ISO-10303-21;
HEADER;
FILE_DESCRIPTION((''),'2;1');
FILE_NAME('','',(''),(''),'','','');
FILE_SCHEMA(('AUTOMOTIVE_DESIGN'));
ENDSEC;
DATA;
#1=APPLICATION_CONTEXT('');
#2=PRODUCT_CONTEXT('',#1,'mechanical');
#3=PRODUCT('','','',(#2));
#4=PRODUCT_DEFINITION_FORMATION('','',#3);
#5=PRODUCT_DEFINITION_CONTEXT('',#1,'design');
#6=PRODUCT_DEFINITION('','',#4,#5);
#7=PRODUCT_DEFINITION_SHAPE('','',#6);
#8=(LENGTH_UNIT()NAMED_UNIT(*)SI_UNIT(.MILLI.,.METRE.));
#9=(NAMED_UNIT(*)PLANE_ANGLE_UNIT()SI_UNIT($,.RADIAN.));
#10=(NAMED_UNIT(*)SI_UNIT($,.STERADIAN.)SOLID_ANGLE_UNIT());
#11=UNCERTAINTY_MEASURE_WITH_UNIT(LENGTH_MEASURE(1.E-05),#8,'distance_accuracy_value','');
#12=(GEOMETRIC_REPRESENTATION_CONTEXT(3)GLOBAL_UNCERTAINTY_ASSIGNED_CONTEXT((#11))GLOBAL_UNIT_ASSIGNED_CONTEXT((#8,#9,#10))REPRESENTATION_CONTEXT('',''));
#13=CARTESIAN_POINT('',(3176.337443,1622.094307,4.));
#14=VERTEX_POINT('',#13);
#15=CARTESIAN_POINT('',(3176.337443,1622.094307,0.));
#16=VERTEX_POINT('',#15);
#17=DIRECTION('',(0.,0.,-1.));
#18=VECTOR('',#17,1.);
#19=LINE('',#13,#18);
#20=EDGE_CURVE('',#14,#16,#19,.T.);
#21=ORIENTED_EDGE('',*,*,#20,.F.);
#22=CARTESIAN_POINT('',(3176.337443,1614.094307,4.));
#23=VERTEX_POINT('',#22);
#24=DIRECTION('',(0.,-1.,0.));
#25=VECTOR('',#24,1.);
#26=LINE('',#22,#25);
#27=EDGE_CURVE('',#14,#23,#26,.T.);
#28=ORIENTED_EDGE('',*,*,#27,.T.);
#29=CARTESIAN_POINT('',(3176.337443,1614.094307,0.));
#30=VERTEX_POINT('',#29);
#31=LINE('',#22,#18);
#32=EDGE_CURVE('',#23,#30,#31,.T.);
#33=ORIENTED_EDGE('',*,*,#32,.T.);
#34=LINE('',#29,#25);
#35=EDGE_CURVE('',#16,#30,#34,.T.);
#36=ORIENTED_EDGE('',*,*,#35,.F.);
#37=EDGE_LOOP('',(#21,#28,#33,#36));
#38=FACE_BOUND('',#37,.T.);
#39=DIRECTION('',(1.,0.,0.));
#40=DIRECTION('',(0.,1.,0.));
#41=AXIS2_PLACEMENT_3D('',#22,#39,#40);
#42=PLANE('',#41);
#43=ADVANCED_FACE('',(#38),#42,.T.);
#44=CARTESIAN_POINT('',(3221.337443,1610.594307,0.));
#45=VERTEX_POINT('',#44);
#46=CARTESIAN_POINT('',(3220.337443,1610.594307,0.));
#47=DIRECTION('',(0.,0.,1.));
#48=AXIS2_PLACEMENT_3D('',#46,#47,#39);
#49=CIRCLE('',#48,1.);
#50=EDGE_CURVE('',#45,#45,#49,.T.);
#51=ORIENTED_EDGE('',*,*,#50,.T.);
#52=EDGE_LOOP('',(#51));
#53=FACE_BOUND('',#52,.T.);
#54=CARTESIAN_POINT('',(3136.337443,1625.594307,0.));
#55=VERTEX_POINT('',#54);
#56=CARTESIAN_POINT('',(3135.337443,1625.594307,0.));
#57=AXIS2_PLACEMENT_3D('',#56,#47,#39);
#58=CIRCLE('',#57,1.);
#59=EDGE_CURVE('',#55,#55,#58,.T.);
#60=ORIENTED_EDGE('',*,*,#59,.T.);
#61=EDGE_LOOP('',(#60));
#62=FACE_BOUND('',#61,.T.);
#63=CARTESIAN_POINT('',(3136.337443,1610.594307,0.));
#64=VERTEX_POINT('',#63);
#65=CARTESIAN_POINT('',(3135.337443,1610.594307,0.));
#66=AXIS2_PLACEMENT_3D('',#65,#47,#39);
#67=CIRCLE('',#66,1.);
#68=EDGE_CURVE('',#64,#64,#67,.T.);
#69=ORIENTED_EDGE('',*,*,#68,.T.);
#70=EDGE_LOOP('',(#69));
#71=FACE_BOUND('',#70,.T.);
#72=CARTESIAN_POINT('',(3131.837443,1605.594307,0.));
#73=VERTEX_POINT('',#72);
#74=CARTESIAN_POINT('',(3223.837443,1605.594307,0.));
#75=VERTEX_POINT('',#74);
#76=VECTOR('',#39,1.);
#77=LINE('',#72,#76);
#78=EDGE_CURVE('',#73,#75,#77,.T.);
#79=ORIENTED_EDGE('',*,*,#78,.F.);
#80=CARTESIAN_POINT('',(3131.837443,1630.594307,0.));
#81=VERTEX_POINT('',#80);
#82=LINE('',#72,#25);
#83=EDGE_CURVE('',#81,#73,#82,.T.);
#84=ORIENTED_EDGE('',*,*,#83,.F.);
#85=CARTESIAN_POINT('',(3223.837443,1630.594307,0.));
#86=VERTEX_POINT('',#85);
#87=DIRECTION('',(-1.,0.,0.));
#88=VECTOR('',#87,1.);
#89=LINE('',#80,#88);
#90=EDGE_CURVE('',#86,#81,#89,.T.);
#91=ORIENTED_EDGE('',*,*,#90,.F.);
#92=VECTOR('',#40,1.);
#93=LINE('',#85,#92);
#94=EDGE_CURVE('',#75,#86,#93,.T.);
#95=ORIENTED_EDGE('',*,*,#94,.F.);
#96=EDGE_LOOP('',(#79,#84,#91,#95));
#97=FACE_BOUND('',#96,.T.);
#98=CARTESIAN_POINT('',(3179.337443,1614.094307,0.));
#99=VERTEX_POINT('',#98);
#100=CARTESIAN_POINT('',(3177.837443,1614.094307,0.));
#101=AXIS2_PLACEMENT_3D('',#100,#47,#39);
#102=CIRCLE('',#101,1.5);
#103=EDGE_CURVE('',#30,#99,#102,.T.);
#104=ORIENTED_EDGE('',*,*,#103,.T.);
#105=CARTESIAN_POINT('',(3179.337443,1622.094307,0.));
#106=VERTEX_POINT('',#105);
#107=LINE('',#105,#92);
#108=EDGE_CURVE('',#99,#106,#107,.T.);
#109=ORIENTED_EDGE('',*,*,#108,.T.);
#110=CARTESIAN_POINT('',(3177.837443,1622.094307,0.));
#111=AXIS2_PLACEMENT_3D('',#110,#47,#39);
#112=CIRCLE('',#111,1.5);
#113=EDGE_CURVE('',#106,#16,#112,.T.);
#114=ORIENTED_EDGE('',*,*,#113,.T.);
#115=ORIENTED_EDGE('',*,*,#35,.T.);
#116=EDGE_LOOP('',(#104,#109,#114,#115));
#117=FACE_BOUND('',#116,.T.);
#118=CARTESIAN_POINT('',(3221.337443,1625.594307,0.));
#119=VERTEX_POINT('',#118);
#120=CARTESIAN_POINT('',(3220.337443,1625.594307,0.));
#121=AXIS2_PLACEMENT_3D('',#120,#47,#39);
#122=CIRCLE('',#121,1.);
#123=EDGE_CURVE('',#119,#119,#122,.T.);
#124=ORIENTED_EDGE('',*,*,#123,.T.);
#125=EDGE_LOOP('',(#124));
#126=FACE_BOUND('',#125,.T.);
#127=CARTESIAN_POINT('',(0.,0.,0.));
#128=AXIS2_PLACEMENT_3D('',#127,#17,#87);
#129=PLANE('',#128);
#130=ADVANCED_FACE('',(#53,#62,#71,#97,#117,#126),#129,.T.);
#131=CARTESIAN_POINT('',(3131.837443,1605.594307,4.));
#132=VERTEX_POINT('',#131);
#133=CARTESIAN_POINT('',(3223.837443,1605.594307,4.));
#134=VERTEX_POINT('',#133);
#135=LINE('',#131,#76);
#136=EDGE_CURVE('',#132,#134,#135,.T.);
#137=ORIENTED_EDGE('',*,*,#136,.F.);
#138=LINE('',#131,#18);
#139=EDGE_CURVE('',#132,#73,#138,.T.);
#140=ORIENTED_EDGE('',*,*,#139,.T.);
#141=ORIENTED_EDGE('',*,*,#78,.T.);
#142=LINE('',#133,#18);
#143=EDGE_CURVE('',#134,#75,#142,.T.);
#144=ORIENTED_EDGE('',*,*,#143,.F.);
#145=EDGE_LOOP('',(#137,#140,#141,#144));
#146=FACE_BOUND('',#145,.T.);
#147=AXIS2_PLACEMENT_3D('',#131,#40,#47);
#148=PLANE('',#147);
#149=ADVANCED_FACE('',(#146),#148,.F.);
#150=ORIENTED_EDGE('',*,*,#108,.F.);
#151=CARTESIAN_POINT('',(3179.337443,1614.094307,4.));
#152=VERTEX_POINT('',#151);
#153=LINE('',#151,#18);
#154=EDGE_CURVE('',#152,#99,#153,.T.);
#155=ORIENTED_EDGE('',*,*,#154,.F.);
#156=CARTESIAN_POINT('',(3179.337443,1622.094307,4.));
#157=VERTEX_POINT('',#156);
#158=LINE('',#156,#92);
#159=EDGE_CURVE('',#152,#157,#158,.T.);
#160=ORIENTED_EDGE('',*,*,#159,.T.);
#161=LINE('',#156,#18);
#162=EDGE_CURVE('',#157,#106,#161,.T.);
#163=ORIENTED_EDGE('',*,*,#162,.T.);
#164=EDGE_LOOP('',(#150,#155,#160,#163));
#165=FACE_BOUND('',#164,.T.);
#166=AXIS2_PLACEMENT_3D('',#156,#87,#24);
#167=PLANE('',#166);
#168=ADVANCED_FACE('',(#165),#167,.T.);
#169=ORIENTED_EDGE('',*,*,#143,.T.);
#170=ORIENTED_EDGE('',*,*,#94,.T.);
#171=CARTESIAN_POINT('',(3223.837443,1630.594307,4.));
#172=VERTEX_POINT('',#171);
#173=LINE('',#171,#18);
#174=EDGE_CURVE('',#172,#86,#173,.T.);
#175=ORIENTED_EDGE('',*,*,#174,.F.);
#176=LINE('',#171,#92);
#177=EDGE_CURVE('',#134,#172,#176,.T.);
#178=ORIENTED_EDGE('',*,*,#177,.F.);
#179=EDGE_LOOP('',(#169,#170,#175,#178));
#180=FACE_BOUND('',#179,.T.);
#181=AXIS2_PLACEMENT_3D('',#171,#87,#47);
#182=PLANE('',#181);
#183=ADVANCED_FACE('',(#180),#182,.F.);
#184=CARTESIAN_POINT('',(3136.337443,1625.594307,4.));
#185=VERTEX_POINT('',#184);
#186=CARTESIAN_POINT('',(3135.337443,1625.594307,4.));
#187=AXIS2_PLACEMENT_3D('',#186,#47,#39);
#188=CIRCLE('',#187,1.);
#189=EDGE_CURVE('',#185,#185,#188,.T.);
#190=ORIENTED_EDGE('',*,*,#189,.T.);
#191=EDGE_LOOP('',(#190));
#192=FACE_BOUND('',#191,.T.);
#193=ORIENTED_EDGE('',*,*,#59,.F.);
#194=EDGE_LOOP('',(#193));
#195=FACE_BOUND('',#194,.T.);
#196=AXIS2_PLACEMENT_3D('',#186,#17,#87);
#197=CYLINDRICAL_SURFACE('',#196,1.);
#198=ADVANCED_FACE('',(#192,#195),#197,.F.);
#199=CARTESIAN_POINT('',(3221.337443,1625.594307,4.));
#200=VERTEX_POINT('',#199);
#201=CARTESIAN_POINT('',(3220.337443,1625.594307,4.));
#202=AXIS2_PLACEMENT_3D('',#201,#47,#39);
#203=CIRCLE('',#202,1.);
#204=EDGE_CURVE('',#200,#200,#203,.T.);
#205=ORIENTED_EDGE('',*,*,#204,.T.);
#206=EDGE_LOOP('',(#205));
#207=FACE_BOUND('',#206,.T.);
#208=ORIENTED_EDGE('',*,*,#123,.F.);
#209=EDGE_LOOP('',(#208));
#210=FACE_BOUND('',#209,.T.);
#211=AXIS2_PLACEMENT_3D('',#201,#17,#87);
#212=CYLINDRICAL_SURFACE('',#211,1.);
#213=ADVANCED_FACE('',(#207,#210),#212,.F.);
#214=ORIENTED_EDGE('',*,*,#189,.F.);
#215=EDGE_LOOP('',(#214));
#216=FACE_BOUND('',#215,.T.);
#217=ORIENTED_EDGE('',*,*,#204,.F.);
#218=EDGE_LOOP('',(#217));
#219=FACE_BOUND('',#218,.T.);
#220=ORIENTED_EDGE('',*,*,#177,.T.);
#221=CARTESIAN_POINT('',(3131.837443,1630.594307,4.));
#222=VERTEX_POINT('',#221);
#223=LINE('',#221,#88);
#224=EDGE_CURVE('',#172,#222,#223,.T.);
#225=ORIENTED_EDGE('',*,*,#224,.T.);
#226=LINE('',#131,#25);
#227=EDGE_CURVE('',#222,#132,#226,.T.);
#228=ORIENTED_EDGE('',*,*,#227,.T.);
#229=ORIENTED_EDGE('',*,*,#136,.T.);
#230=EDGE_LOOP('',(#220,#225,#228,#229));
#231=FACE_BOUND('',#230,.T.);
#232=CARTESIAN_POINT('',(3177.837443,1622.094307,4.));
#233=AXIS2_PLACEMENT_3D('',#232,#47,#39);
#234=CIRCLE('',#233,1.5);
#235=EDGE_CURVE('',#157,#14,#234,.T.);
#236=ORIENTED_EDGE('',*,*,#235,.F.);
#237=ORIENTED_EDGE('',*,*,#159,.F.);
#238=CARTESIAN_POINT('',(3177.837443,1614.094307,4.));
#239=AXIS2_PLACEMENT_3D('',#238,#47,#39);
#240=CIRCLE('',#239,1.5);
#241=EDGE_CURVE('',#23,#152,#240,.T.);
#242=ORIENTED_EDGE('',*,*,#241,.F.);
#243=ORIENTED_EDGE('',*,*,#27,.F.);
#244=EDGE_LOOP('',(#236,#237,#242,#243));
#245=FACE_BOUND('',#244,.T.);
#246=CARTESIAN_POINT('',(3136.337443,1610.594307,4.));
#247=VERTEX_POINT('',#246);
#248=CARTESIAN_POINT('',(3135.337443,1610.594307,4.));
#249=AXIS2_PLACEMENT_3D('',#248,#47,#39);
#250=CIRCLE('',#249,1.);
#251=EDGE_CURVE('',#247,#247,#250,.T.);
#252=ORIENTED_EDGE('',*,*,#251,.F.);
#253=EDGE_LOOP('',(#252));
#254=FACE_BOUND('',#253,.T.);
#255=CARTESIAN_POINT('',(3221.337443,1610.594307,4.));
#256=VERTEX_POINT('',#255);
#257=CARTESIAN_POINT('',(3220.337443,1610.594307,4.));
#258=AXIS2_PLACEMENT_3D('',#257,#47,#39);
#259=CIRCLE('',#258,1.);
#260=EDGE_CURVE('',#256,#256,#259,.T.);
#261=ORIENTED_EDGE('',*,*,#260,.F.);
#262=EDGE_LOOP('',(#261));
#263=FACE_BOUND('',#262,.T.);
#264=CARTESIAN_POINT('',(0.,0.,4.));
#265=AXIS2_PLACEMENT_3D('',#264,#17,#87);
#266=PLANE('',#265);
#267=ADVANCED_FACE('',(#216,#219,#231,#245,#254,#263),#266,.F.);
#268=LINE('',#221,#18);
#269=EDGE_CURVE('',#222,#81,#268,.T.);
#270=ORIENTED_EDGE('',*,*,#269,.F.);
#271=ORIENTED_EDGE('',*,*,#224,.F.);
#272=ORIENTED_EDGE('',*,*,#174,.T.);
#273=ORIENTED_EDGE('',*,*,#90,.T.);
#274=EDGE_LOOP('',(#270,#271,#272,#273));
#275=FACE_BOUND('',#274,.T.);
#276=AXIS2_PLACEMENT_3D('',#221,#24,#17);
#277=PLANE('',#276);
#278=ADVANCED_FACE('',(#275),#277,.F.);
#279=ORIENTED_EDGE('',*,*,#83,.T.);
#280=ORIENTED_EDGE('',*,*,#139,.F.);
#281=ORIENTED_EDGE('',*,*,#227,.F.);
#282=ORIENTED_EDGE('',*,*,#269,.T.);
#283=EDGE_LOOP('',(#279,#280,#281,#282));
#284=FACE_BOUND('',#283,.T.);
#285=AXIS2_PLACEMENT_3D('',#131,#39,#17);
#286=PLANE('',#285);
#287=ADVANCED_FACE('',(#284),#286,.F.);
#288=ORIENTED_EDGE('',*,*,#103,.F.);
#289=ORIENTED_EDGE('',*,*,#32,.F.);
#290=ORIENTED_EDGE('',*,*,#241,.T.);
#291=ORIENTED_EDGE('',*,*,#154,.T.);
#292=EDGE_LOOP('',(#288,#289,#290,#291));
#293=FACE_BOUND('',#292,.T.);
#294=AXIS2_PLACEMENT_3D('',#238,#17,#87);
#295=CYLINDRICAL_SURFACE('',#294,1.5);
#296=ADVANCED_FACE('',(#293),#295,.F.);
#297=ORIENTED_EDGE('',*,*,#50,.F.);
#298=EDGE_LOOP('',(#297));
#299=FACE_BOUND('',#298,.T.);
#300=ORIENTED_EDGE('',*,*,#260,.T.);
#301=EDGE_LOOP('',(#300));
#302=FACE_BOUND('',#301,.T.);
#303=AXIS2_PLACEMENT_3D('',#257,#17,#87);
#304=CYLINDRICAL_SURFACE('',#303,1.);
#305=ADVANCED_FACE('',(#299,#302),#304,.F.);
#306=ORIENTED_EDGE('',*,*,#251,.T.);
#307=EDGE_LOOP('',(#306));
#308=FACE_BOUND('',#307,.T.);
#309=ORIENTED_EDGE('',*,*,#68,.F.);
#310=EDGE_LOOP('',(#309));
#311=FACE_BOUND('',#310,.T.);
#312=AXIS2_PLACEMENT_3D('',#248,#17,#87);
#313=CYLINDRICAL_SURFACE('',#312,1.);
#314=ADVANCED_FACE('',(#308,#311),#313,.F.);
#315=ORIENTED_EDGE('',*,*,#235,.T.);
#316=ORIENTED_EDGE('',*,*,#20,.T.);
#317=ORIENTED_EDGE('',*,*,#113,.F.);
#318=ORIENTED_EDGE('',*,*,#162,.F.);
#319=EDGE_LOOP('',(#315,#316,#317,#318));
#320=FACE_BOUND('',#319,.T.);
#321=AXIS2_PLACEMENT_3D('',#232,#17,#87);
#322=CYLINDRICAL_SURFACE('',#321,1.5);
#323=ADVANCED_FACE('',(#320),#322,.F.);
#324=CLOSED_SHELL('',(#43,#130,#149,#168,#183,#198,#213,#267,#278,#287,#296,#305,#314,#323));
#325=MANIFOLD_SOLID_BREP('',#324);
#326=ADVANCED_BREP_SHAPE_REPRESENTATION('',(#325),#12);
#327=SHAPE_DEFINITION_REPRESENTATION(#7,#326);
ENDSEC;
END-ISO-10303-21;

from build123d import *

# Parameters (mm, degrees)
SKETCH_1_W      = 92
SKETCH_1_H      = 25
SKETCH_1_R      = 1
EXTRUDE_1_DEPTH = 4


with BuildPart() as part:
    # 草图1 → 凸台-拉伸1 (new body)
    with BuildSketch(Plane.XY):
        with Locations((3177.83744335, 1618.094307215)):
            Rectangle(SKETCH_1_W, SKETCH_1_H)
        with Locations((3135.33744335, 1625.594307215)):
            Circle(SKETCH_1_R, mode=Mode.SUBTRACT)
        with Locations((3135.33744335, 1610.594307215)):
            Circle(SKETCH_1_R, mode=Mode.SUBTRACT)
        with Locations((3220.33744335, 1610.594307215)):
            Circle(SKETCH_1_R, mode=Mode.SUBTRACT)
        with Locations((3220.33744335, 1625.594307215)):
            Circle(SKETCH_1_R, mode=Mode.SUBTRACT)
        with BuildLine():
            Line((3179.33744335, 1622.094307215), (3179.33744335, 1614.094307215))
            ThreePointArc((3179.33744335, 1614.094307215), (3177.83744335, 1612.594307215), (3176.33744335, 1614.094307215))
            Line((3176.33744335, 1614.094307215), (3176.33744335, 1622.094307215))
            ThreePointArc((3176.33744335, 1622.094307215), (3177.83744335, 1623.594307215), (3179.33744335, 1622.094307215))
        make_face(mode=Mode.SUBTRACT)
    extrude(amount=EXTRUDE_1_DEPTH)


solid = part.part
